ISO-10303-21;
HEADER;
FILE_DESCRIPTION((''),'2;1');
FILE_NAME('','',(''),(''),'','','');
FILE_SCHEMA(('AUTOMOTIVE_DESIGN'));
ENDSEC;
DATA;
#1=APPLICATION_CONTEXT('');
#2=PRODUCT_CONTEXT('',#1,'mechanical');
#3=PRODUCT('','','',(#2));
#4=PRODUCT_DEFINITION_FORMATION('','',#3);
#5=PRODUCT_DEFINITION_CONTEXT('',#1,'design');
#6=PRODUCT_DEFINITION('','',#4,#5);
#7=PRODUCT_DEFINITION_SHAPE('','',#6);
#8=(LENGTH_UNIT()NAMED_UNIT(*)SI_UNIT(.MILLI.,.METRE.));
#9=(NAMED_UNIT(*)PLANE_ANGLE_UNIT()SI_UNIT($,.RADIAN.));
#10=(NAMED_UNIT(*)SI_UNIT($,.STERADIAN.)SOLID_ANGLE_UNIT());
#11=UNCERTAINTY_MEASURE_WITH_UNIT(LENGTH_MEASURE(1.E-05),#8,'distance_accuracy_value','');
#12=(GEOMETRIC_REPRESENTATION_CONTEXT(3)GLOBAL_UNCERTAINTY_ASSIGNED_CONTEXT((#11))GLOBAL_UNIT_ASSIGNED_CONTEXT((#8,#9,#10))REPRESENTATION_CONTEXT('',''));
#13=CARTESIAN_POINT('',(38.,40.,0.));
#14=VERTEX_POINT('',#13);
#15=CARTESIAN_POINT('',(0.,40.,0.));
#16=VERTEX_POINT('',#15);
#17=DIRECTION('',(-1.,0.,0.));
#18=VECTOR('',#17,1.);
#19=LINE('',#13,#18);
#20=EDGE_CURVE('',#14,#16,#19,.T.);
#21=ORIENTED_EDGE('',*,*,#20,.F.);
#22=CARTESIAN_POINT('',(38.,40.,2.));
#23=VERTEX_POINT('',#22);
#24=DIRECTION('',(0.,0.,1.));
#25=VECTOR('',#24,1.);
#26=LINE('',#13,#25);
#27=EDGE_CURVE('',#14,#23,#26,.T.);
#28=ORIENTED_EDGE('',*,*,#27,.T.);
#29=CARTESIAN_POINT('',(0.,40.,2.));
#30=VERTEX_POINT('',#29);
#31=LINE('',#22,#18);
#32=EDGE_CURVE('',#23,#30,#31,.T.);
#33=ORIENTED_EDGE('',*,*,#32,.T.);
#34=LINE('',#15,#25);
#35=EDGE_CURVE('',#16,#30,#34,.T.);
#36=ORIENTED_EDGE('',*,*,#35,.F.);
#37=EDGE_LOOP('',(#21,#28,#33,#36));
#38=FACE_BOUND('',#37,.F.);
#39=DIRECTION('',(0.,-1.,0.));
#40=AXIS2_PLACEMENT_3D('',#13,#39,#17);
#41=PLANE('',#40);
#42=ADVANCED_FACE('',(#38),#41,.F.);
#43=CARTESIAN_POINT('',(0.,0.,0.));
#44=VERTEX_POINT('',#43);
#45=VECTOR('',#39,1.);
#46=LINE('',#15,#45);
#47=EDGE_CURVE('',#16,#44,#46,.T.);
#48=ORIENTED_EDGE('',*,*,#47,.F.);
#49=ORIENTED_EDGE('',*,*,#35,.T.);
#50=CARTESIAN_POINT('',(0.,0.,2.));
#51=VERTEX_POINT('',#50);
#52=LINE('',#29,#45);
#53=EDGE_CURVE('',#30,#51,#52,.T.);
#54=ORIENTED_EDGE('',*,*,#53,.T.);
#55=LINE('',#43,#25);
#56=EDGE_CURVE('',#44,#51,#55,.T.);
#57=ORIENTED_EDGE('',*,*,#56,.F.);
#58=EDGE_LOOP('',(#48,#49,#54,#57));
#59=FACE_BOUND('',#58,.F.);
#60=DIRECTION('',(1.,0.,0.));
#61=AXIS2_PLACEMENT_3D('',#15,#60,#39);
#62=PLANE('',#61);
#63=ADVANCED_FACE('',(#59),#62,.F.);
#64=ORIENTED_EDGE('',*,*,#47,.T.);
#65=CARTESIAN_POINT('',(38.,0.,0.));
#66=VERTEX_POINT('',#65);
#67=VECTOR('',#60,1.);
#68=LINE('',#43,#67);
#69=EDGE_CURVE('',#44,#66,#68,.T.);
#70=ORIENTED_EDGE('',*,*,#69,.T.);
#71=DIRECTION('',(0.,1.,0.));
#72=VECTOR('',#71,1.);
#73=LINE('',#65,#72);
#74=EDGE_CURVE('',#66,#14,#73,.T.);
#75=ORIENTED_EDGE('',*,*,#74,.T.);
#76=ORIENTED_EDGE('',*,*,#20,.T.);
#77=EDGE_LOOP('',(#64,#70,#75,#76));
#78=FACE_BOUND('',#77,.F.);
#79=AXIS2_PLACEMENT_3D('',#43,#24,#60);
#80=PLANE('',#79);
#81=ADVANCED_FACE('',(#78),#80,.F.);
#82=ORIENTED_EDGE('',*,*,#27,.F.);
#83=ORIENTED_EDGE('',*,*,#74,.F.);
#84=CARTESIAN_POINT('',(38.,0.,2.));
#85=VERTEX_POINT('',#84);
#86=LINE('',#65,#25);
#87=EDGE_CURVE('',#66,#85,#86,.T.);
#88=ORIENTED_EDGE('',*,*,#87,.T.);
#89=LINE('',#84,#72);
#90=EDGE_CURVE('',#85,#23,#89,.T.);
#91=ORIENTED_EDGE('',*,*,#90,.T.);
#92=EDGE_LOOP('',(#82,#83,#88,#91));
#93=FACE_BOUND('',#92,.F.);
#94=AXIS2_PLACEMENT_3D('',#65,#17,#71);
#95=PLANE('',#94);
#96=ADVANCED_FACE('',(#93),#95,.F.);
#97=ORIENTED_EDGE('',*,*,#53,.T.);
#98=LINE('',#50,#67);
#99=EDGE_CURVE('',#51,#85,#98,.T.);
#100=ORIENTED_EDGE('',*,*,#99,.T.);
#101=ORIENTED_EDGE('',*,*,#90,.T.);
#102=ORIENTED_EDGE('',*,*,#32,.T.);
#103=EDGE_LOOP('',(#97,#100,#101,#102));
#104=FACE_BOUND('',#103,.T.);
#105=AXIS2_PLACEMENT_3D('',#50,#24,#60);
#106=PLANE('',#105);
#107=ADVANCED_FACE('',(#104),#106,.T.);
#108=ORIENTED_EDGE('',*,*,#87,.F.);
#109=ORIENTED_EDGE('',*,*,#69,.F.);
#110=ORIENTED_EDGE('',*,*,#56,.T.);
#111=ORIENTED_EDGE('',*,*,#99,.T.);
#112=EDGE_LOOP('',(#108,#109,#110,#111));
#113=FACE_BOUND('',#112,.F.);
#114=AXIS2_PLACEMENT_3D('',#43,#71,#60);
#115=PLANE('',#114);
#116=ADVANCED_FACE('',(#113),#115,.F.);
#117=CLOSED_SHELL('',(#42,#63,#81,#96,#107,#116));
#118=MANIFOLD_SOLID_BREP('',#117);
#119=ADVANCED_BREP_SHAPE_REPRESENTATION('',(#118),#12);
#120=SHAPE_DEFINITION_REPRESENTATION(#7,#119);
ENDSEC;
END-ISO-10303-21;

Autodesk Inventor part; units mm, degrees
ref_plane "YZ Plane" through (0, 0, 0) normal (1, 0, 0) x (0, 1, 0)
ref_plane "XZ Plane" through (0, 0, 0) normal (0, 1, 0) x (-1, 0, 0)
ref_plane "XY Plane" through (0, 0, 0) normal (0, 0, 1) x (1, 0, 0)
sketch "Sketch1" plane through (0, 0, 0) normal (0, 0, 1) x (1, 0, 0)
  line L0 (0, 0) -> (38, 0)
  line L1 (38, 0) -> (38, 40)
  line L2 (38, 40) -> (0, 40)
  line L3 (0, 40) -> (0, 0)
  dimension "d0" = 38
  dimension "d1" = 40
extrude "Extrusion1" add sketch "Sketch1" along normal blind 2
properties part number "Zijplaat 4"
